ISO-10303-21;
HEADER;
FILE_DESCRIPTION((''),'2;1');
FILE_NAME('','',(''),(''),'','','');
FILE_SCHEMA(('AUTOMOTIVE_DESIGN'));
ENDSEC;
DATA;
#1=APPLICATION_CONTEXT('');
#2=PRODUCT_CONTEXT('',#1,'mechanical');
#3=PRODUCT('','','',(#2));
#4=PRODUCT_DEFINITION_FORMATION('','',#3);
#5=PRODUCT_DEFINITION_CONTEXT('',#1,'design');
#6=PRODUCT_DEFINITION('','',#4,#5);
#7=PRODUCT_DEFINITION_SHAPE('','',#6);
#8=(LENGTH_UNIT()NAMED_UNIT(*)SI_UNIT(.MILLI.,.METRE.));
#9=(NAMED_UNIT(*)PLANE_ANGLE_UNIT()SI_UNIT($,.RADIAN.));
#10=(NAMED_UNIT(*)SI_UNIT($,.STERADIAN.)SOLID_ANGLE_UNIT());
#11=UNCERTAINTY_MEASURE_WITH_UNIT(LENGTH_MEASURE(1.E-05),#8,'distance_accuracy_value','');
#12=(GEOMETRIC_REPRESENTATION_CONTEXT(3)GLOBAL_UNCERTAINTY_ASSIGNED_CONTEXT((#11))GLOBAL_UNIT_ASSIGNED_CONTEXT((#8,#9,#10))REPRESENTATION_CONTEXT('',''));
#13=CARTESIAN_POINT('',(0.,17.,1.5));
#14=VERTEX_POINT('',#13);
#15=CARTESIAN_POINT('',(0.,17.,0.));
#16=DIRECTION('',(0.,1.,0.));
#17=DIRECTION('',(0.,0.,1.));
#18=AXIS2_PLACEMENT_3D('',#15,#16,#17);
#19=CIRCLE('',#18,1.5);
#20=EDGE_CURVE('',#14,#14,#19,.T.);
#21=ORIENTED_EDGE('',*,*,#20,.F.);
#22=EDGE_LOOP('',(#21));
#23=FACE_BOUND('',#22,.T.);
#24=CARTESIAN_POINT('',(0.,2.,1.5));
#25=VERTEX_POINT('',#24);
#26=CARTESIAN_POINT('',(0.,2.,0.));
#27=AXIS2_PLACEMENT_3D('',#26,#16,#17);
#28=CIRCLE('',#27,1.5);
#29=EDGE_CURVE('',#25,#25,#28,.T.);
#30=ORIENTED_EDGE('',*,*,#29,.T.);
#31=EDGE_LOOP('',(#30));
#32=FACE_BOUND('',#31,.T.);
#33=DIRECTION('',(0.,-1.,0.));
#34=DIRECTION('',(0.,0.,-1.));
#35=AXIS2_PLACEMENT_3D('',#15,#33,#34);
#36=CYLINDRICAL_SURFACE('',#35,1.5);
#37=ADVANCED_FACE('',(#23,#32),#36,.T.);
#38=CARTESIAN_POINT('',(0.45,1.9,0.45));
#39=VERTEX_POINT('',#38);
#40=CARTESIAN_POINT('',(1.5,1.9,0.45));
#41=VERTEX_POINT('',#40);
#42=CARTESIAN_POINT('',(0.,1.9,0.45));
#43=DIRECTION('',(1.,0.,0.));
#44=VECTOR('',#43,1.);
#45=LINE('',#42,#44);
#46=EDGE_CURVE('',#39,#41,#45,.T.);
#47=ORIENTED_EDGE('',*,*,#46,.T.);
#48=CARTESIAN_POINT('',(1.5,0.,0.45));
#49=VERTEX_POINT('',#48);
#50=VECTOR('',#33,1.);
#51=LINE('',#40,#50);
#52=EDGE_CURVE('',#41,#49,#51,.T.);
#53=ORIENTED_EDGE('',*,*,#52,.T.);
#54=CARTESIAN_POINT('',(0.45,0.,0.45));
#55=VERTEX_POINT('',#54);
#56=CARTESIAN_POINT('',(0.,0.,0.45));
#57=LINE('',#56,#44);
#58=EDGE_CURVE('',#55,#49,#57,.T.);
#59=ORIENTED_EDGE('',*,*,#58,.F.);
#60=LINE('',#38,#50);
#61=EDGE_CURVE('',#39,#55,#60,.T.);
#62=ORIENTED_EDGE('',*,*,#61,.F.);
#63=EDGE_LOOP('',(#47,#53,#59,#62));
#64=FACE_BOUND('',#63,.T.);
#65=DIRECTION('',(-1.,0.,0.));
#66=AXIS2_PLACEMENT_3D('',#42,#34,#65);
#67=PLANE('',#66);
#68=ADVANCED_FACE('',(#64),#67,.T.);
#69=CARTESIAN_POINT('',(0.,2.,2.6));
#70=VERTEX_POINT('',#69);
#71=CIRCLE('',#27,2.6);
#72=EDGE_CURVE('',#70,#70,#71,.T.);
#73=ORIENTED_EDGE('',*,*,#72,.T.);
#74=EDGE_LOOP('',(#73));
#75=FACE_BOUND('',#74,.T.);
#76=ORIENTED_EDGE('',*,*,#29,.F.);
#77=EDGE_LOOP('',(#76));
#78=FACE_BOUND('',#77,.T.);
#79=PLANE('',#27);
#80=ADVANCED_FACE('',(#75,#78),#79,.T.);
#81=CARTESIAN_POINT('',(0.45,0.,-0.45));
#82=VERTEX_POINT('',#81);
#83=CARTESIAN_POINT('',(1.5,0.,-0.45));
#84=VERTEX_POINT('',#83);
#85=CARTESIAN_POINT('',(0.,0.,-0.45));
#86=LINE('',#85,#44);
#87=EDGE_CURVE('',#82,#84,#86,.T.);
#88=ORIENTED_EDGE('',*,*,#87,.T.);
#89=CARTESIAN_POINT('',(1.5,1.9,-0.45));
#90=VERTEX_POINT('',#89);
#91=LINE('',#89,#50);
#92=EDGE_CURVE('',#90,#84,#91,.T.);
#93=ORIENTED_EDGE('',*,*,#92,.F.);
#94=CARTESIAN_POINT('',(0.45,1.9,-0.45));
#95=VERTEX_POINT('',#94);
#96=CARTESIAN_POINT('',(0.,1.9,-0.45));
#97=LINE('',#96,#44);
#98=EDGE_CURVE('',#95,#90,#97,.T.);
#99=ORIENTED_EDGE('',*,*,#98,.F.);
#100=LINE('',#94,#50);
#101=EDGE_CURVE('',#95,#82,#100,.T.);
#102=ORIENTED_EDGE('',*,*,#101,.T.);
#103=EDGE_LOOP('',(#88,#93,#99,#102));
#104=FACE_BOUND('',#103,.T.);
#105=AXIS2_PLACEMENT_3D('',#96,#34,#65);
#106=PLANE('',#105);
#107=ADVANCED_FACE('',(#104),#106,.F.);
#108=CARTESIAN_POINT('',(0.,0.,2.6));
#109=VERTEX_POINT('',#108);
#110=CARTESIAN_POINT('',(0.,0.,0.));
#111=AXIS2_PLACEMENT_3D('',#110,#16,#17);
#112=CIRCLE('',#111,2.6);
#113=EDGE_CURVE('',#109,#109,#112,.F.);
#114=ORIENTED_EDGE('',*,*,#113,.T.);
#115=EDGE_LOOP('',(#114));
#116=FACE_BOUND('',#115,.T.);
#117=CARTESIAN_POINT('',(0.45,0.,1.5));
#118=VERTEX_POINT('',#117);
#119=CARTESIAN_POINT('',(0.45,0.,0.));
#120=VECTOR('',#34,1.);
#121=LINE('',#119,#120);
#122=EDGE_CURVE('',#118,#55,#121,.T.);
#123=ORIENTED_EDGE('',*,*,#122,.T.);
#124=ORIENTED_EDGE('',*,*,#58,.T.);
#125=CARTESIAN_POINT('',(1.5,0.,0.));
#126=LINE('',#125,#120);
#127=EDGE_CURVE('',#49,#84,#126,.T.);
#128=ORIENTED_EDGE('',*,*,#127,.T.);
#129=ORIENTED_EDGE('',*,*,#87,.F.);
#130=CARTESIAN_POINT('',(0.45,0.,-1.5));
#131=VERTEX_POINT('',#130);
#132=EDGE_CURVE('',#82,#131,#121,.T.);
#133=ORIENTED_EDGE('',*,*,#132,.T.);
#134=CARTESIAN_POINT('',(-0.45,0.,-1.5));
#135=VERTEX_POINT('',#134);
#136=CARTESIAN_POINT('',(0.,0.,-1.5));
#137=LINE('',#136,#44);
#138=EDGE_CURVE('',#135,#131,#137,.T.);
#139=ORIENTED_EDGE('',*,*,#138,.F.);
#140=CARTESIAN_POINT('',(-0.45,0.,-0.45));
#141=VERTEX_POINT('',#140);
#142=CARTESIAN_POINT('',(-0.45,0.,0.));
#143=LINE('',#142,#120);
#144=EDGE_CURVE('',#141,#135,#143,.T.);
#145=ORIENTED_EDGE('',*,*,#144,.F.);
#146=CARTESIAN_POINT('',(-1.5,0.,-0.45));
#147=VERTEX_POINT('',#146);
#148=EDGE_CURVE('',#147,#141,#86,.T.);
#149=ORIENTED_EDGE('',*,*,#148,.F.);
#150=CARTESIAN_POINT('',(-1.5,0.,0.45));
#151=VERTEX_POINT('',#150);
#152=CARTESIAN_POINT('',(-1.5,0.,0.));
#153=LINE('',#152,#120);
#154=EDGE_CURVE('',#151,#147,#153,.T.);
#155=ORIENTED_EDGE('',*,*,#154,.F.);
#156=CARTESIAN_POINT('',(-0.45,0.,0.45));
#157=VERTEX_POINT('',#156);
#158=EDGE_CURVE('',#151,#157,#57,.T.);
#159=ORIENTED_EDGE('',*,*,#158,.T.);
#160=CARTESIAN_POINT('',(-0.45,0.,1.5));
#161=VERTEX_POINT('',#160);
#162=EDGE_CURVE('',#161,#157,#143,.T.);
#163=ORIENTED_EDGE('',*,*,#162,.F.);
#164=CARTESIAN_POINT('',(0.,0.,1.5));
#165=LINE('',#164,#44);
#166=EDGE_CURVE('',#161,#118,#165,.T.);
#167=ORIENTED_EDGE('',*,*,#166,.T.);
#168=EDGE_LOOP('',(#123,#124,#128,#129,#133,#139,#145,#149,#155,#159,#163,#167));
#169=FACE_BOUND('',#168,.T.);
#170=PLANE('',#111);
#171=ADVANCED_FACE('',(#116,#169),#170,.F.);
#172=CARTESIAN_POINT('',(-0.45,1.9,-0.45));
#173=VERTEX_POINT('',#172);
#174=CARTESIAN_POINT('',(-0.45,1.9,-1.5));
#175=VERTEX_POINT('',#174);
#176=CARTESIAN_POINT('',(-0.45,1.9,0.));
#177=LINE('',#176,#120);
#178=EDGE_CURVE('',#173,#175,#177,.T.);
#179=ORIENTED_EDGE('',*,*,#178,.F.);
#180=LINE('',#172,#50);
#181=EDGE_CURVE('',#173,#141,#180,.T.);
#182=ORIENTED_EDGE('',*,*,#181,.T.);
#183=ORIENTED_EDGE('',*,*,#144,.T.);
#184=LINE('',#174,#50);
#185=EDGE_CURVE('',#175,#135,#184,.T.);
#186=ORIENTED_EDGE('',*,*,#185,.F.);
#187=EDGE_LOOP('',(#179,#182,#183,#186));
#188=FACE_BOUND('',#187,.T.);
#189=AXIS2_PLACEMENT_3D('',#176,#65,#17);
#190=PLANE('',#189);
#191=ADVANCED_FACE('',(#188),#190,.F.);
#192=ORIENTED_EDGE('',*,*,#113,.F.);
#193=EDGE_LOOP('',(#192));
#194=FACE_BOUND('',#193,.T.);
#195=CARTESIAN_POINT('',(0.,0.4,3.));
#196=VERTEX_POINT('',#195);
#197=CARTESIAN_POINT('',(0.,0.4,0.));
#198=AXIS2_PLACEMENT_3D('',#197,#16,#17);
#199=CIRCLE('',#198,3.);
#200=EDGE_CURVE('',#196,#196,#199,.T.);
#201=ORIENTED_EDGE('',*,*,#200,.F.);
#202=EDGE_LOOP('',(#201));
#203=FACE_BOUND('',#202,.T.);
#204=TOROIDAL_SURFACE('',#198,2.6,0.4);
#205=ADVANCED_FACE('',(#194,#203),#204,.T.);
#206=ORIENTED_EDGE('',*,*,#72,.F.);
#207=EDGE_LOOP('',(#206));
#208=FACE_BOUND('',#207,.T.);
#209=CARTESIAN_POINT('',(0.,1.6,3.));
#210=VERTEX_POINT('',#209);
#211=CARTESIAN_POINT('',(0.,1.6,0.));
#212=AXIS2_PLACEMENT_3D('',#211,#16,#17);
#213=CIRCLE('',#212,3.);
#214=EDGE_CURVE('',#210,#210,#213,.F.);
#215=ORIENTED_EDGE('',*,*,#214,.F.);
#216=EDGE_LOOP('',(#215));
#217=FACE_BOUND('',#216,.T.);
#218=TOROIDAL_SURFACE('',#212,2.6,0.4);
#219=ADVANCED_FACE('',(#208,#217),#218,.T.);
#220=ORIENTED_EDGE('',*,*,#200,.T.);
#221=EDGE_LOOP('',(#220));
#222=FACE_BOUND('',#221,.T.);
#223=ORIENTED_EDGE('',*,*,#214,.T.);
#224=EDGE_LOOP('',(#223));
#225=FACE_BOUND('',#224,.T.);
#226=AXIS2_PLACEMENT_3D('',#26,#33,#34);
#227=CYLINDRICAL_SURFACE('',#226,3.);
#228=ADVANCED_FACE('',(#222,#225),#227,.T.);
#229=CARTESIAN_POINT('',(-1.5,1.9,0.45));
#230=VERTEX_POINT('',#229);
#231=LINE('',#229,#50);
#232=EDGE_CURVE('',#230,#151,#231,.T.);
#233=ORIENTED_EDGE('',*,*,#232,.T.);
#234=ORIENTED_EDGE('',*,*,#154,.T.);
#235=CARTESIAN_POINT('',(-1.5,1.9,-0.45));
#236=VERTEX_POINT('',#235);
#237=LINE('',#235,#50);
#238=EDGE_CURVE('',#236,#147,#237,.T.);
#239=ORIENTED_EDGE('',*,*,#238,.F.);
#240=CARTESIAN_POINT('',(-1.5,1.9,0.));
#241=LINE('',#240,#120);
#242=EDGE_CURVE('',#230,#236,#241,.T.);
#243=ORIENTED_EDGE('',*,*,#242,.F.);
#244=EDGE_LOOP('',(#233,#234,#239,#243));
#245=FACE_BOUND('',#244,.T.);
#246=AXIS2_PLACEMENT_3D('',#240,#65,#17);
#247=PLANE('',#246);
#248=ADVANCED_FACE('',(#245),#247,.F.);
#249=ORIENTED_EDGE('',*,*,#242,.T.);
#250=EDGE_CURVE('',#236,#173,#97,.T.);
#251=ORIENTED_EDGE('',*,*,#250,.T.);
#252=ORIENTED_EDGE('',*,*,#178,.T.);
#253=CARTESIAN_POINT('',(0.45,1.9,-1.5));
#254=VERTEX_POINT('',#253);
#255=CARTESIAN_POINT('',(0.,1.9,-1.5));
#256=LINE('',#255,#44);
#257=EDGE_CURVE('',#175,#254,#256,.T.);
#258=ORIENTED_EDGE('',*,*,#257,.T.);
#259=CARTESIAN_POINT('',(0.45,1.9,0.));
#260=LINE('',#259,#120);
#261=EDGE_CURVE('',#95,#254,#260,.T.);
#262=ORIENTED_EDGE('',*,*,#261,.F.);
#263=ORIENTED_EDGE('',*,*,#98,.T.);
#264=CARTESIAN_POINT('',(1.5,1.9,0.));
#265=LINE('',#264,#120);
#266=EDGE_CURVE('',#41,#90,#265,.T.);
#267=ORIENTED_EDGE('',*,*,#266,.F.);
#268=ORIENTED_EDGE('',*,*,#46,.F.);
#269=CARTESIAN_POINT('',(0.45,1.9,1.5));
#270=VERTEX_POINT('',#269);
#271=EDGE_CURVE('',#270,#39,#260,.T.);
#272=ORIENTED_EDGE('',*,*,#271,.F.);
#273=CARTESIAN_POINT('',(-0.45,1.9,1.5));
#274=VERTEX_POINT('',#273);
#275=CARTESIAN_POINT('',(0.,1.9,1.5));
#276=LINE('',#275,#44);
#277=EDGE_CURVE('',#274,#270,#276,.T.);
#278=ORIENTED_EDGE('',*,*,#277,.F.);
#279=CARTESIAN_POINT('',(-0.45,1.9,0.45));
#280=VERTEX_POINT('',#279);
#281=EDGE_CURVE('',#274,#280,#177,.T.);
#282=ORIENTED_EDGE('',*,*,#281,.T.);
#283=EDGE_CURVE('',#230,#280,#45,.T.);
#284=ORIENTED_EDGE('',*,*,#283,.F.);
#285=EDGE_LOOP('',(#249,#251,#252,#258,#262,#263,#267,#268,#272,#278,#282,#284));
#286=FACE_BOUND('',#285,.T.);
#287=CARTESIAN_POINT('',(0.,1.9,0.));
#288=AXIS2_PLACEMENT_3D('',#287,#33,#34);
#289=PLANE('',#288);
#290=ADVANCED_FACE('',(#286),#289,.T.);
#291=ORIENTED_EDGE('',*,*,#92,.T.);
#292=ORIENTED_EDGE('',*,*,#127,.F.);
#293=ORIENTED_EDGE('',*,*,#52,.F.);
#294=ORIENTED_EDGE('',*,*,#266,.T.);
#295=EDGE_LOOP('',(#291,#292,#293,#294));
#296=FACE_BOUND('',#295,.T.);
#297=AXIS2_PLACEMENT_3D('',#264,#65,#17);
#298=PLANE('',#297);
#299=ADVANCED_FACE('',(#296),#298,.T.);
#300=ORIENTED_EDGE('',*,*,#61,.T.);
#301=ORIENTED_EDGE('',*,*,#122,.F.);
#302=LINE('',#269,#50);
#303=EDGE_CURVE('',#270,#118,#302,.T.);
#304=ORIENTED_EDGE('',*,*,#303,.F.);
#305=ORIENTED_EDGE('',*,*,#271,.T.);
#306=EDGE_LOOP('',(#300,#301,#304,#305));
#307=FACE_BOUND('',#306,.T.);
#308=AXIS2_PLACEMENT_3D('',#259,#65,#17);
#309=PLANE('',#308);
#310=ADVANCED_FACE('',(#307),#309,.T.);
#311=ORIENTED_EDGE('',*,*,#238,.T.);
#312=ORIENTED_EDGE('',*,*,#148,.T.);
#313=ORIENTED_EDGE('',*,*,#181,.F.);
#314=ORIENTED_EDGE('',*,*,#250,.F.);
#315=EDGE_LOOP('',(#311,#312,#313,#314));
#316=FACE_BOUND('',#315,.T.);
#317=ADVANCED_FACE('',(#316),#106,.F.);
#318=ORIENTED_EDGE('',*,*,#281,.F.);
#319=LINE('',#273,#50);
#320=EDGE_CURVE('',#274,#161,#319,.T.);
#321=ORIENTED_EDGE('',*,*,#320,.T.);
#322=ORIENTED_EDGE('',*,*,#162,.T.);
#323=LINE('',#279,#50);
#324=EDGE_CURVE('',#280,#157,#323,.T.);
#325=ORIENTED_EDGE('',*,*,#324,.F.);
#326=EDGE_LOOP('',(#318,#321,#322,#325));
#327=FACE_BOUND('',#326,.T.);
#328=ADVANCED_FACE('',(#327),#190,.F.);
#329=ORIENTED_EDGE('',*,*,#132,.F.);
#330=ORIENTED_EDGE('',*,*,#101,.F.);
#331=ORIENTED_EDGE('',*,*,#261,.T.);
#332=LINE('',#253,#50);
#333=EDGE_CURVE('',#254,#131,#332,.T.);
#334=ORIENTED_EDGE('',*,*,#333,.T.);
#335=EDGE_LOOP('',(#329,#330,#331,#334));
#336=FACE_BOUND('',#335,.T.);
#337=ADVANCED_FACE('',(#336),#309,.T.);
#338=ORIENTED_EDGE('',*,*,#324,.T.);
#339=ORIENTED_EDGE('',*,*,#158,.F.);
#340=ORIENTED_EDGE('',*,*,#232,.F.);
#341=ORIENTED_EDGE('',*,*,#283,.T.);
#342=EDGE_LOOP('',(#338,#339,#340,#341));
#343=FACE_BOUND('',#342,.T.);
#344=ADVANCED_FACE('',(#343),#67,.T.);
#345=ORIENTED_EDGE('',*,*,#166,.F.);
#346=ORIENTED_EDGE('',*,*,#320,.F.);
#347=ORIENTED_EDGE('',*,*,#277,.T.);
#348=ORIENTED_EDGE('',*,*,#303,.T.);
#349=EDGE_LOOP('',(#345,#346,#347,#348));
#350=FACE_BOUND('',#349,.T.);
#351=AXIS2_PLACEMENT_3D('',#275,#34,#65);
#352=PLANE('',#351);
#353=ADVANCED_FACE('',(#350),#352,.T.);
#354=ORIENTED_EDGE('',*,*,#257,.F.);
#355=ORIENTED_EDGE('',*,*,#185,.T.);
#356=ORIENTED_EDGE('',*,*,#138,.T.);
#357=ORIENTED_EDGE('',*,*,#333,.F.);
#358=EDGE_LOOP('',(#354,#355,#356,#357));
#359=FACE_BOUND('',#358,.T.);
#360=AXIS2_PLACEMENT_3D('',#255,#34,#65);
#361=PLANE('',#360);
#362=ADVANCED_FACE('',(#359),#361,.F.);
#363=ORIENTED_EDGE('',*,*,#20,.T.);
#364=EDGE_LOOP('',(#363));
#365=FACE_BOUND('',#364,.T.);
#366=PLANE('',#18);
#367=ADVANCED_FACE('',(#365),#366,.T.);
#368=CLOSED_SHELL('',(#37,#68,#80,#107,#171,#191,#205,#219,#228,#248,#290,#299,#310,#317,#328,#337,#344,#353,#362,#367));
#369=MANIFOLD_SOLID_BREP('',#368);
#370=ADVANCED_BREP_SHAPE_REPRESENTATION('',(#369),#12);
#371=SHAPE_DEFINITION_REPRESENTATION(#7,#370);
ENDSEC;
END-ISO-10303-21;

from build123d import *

# Parameters (mm, degrees)
SKETCH1_R           = 3
BOSS_EXTRUDE1_DEPTH = 2
SKETCH2_R           = 1.5
BOSS_EXTRUDE2_DEPTH = 15
SKETCH3_W           = 0.9
SKETCH3_H           = 0.9
SKETCH3_W_2         = 1.05
SKETCH3_H_2         = 1.05
CUT_EXTRUDE1_DEPTH  = 1.9
FILLET1_R           = 0.4


with BuildPart() as part:
    # Sketch1 → Boss-Extrude1 (new body)
    with BuildSketch(Plane(origin=(0, 0, 0), x_dir=(1, 0, 0), z_dir=(0, 1, 0))):
        Circle(SKETCH1_R)
    extrude(amount=BOSS_EXTRUDE1_DEPTH)

    # Sketch2 → Boss-Extrude2 (add)
    with BuildSketch(Plane(origin=(0, 2, 0), x_dir=(1, 0, 0), z_dir=(0, 1, 0))):
        Circle(SKETCH2_R)
    extrude(amount=BOSS_EXTRUDE2_DEPTH)

    # Sketch3 → Cut-Extrude1 (cut)
    with BuildSketch(Plane(origin=(0, 0, 0), x_dir=(-1, 0, 0), z_dir=(0, -1, 0))):
        Rectangle(SKETCH3_W, SKETCH3_H)
        with Locations((0.975, 0)):
            Rectangle(SKETCH3_W_2, SKETCH3_H)
        with Locations((0, -0.975)):
            Rectangle(SKETCH3_W, SKETCH3_H_2)
        with Locations((-0.975, 0)):
            Rectangle(SKETCH3_W_2, SKETCH3_H)
        with Locations((0, 0.975)):
            Rectangle(SKETCH3_W, SKETCH3_H_2)
    extrude(amount=-CUT_EXTRUDE1_DEPTH, mode=Mode.SUBTRACT)

    # Fillet1
    fillet1_edges = [part.edges().sort_by_distance(p)[0] for p in [
        (-3, 0, 0),
        (-3, 2, 0),
    ]]
    fillet(fillet1_edges, radius=FILLET1_R)


solid = part.part
